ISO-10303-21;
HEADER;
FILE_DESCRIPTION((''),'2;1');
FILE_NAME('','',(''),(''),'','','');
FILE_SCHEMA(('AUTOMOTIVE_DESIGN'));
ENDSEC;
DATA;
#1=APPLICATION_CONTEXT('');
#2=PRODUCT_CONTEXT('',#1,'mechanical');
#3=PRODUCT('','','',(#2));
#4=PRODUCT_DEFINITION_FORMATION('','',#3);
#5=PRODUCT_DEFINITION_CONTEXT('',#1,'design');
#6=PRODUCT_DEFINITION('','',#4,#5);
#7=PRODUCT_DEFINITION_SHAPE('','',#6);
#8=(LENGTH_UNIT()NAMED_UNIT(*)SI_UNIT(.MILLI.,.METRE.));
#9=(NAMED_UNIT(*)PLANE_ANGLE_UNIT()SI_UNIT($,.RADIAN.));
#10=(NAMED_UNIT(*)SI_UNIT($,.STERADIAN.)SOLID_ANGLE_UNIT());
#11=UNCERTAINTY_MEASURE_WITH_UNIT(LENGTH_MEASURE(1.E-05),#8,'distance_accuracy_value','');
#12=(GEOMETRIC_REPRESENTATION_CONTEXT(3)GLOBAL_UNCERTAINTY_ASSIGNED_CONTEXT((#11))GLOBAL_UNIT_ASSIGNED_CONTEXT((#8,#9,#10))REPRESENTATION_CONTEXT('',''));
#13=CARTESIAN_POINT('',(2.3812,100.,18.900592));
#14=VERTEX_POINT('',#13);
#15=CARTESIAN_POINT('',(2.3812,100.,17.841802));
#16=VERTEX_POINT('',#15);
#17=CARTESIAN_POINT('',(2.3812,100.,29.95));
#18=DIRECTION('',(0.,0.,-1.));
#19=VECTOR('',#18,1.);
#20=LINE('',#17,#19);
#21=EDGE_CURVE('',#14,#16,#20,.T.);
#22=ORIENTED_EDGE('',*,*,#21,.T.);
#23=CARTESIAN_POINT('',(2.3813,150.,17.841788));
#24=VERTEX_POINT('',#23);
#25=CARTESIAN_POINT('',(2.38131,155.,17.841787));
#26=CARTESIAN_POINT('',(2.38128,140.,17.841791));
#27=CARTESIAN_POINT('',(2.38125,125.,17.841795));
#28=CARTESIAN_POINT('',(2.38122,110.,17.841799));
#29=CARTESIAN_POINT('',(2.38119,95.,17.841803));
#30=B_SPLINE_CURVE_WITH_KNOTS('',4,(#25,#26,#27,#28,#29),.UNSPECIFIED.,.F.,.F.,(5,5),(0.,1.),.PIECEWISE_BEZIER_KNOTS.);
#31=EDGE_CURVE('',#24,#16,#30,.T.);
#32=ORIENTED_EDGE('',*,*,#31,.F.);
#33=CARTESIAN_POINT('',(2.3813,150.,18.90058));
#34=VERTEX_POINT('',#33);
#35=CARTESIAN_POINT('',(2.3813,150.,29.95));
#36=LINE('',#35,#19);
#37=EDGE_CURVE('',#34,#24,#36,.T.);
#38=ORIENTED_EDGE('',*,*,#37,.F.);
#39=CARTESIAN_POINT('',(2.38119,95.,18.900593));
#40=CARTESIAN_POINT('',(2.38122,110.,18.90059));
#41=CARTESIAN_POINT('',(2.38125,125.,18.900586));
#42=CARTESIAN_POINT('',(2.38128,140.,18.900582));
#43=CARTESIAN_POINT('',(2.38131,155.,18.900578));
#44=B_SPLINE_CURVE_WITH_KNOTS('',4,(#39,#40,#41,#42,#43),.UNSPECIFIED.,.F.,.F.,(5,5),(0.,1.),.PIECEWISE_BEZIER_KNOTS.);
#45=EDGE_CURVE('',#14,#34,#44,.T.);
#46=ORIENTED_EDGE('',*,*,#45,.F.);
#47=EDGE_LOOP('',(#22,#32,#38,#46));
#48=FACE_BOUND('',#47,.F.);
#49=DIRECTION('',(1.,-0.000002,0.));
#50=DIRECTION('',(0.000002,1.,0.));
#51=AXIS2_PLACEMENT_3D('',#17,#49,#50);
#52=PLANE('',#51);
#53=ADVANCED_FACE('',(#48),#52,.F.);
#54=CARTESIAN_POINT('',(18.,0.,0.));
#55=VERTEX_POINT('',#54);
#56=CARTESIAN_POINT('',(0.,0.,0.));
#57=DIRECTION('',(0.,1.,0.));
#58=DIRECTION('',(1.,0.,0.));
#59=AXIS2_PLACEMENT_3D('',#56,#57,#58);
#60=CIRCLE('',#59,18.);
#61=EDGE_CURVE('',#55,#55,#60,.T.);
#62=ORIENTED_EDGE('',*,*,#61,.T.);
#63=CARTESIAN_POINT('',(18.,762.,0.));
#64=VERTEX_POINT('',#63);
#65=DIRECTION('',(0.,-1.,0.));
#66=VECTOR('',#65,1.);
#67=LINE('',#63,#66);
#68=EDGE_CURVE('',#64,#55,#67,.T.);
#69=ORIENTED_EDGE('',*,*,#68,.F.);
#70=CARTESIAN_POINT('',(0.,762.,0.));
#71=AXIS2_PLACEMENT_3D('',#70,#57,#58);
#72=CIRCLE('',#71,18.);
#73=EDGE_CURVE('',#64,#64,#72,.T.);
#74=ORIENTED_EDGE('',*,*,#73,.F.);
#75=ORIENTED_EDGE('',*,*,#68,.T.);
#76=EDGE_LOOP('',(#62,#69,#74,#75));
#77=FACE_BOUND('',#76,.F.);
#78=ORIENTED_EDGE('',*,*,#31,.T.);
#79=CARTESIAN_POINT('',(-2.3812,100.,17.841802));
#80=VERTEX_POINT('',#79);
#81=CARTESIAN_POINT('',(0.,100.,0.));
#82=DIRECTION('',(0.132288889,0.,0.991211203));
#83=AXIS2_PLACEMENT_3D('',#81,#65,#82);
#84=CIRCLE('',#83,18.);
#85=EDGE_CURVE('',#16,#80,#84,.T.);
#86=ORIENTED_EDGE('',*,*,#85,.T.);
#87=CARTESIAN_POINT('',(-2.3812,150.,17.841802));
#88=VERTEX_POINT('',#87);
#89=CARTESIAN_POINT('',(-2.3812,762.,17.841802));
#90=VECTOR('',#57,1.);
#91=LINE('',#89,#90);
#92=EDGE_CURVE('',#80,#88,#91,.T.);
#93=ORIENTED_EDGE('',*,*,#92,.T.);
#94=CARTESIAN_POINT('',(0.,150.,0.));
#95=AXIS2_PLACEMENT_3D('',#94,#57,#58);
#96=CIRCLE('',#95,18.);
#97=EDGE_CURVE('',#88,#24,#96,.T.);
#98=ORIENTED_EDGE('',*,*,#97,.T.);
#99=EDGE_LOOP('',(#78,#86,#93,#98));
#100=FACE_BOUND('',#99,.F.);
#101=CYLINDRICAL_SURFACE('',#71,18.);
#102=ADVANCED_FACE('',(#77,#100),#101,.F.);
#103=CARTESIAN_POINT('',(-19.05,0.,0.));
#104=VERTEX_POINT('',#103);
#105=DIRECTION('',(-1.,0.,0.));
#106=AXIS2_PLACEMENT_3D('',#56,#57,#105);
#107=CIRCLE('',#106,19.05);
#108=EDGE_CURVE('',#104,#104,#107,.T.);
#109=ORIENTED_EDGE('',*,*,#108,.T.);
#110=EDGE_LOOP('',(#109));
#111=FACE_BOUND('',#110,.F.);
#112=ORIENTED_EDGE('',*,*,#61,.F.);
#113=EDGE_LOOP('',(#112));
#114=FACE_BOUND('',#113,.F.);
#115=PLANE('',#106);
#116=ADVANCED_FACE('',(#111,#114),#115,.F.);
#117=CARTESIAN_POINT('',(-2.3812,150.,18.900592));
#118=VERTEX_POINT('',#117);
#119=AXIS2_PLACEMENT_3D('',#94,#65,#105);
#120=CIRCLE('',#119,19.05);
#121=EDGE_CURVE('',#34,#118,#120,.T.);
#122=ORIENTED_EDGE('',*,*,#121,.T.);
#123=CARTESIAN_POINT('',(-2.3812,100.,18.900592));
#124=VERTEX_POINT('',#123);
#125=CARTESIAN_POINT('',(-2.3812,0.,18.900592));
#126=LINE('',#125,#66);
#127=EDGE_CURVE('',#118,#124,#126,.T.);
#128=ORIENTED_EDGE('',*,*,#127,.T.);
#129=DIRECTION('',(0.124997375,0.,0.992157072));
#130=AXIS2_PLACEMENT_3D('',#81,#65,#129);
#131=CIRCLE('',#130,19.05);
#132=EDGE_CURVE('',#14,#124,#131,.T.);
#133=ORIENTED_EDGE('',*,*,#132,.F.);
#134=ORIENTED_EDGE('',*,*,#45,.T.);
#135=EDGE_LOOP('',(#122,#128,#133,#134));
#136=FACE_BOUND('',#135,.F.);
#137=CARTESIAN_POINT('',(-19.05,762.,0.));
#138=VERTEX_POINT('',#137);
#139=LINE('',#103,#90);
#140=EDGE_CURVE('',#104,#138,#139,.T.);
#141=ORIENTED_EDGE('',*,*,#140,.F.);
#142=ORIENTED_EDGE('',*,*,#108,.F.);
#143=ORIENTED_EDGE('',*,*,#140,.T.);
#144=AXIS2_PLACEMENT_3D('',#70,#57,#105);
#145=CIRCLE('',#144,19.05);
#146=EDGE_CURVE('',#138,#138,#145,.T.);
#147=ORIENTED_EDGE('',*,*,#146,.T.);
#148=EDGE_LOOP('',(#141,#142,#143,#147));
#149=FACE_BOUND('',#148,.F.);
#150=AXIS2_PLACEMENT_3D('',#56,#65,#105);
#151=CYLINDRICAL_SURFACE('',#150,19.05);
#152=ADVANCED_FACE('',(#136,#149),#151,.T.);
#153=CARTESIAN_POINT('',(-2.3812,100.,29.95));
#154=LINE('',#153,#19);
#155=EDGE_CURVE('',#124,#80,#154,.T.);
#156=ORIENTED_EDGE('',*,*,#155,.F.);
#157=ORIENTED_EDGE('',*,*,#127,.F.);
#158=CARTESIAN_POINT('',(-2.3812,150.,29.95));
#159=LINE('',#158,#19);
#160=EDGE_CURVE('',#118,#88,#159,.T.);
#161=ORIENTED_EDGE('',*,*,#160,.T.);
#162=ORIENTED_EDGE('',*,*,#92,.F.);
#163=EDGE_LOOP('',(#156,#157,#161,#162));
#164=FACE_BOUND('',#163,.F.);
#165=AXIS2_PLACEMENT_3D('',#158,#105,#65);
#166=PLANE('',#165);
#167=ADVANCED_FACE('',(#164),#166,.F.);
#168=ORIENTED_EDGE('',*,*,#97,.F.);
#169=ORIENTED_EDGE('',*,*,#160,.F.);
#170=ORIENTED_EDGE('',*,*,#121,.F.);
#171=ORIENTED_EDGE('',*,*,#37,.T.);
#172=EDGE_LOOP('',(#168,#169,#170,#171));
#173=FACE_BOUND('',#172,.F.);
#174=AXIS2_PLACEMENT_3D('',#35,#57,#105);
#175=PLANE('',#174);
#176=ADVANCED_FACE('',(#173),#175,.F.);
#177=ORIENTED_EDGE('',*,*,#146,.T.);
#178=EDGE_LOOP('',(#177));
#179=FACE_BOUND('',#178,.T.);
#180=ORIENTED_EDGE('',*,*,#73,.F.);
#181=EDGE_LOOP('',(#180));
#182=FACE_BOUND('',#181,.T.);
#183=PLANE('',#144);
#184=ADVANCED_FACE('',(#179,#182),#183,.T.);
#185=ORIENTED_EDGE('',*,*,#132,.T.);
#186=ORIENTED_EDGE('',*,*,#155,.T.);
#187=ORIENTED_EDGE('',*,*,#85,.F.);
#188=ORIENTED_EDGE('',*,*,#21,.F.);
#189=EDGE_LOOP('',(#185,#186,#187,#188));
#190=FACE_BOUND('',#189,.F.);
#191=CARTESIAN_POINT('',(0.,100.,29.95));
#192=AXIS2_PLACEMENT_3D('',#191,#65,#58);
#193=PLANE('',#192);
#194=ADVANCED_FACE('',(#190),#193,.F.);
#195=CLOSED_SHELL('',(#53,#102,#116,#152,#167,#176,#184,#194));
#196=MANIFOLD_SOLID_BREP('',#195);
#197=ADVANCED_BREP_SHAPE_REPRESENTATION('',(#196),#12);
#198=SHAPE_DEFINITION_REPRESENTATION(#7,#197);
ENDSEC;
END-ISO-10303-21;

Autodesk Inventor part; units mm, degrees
ref_plane "YZ Plane" through (0, 0, 0) normal (1, 0, 0) x (0, 1, 0)
ref_plane "XZ Plane" through (0, 0, 0) normal (0, 1, 0) x (-1, 0, 0)
sketch "Sketch1" plane through (0, 0, 0) normal (0, 1, 0) x (-1, 0, 0)
  circle A0 centre (0, 0) radius 19.05
  dimension "d0" = 38.1
extrude "Extrusion1" add sketch "Sketch1" along normal blind 762
sketch "Sketch2" plane through (0, 762, 0) normal (0, 1, 0) x (1, 0, 0)
  circle A0 centre (0, 0) radius 18
  dimension "d3" = 36
extrude "Extrusion2" cut sketch "Sketch2" along normal through all both and the other way through all
ref_plane "Work Plane1" through (0, 0, 29.95) normal (0, 0, 1) x (1, 0, 0)
sketch "Sketch3" plane through (0, 0, 29.95) normal (0, 0, 1) x (1, 0, 0)
  line L0 (0, 0) -> (0, 100)
  line L1 (-18, 100) -> (18, 100) projected
  line L2 (-2.3812, 100) -> (2.3812, 100)
  line L3 (2.3812, 100) -> (2.3813, 150)
  line L4 (2.3813, 150) -> (-2.3812, 150)
  line L5 (-2.3812, 150) -> (-2.3812, 100)
  dimension "d15" = 4.7625
  dimension "d16" = 50
extrude "Extrusion3" cut sketch "Sketch3" against normal blind 29.95
sketch "Sketch4" plane through (0, 0, 0) normal (0, -1, 0) x (1, 0, 0)
  circle A0 centre (0, 0) radius 19
  circle A1 centre (0, 0) radius 29.95
  dimension "d11" = 38
properties part number "Shaft connecting chassis updated 1-19"
